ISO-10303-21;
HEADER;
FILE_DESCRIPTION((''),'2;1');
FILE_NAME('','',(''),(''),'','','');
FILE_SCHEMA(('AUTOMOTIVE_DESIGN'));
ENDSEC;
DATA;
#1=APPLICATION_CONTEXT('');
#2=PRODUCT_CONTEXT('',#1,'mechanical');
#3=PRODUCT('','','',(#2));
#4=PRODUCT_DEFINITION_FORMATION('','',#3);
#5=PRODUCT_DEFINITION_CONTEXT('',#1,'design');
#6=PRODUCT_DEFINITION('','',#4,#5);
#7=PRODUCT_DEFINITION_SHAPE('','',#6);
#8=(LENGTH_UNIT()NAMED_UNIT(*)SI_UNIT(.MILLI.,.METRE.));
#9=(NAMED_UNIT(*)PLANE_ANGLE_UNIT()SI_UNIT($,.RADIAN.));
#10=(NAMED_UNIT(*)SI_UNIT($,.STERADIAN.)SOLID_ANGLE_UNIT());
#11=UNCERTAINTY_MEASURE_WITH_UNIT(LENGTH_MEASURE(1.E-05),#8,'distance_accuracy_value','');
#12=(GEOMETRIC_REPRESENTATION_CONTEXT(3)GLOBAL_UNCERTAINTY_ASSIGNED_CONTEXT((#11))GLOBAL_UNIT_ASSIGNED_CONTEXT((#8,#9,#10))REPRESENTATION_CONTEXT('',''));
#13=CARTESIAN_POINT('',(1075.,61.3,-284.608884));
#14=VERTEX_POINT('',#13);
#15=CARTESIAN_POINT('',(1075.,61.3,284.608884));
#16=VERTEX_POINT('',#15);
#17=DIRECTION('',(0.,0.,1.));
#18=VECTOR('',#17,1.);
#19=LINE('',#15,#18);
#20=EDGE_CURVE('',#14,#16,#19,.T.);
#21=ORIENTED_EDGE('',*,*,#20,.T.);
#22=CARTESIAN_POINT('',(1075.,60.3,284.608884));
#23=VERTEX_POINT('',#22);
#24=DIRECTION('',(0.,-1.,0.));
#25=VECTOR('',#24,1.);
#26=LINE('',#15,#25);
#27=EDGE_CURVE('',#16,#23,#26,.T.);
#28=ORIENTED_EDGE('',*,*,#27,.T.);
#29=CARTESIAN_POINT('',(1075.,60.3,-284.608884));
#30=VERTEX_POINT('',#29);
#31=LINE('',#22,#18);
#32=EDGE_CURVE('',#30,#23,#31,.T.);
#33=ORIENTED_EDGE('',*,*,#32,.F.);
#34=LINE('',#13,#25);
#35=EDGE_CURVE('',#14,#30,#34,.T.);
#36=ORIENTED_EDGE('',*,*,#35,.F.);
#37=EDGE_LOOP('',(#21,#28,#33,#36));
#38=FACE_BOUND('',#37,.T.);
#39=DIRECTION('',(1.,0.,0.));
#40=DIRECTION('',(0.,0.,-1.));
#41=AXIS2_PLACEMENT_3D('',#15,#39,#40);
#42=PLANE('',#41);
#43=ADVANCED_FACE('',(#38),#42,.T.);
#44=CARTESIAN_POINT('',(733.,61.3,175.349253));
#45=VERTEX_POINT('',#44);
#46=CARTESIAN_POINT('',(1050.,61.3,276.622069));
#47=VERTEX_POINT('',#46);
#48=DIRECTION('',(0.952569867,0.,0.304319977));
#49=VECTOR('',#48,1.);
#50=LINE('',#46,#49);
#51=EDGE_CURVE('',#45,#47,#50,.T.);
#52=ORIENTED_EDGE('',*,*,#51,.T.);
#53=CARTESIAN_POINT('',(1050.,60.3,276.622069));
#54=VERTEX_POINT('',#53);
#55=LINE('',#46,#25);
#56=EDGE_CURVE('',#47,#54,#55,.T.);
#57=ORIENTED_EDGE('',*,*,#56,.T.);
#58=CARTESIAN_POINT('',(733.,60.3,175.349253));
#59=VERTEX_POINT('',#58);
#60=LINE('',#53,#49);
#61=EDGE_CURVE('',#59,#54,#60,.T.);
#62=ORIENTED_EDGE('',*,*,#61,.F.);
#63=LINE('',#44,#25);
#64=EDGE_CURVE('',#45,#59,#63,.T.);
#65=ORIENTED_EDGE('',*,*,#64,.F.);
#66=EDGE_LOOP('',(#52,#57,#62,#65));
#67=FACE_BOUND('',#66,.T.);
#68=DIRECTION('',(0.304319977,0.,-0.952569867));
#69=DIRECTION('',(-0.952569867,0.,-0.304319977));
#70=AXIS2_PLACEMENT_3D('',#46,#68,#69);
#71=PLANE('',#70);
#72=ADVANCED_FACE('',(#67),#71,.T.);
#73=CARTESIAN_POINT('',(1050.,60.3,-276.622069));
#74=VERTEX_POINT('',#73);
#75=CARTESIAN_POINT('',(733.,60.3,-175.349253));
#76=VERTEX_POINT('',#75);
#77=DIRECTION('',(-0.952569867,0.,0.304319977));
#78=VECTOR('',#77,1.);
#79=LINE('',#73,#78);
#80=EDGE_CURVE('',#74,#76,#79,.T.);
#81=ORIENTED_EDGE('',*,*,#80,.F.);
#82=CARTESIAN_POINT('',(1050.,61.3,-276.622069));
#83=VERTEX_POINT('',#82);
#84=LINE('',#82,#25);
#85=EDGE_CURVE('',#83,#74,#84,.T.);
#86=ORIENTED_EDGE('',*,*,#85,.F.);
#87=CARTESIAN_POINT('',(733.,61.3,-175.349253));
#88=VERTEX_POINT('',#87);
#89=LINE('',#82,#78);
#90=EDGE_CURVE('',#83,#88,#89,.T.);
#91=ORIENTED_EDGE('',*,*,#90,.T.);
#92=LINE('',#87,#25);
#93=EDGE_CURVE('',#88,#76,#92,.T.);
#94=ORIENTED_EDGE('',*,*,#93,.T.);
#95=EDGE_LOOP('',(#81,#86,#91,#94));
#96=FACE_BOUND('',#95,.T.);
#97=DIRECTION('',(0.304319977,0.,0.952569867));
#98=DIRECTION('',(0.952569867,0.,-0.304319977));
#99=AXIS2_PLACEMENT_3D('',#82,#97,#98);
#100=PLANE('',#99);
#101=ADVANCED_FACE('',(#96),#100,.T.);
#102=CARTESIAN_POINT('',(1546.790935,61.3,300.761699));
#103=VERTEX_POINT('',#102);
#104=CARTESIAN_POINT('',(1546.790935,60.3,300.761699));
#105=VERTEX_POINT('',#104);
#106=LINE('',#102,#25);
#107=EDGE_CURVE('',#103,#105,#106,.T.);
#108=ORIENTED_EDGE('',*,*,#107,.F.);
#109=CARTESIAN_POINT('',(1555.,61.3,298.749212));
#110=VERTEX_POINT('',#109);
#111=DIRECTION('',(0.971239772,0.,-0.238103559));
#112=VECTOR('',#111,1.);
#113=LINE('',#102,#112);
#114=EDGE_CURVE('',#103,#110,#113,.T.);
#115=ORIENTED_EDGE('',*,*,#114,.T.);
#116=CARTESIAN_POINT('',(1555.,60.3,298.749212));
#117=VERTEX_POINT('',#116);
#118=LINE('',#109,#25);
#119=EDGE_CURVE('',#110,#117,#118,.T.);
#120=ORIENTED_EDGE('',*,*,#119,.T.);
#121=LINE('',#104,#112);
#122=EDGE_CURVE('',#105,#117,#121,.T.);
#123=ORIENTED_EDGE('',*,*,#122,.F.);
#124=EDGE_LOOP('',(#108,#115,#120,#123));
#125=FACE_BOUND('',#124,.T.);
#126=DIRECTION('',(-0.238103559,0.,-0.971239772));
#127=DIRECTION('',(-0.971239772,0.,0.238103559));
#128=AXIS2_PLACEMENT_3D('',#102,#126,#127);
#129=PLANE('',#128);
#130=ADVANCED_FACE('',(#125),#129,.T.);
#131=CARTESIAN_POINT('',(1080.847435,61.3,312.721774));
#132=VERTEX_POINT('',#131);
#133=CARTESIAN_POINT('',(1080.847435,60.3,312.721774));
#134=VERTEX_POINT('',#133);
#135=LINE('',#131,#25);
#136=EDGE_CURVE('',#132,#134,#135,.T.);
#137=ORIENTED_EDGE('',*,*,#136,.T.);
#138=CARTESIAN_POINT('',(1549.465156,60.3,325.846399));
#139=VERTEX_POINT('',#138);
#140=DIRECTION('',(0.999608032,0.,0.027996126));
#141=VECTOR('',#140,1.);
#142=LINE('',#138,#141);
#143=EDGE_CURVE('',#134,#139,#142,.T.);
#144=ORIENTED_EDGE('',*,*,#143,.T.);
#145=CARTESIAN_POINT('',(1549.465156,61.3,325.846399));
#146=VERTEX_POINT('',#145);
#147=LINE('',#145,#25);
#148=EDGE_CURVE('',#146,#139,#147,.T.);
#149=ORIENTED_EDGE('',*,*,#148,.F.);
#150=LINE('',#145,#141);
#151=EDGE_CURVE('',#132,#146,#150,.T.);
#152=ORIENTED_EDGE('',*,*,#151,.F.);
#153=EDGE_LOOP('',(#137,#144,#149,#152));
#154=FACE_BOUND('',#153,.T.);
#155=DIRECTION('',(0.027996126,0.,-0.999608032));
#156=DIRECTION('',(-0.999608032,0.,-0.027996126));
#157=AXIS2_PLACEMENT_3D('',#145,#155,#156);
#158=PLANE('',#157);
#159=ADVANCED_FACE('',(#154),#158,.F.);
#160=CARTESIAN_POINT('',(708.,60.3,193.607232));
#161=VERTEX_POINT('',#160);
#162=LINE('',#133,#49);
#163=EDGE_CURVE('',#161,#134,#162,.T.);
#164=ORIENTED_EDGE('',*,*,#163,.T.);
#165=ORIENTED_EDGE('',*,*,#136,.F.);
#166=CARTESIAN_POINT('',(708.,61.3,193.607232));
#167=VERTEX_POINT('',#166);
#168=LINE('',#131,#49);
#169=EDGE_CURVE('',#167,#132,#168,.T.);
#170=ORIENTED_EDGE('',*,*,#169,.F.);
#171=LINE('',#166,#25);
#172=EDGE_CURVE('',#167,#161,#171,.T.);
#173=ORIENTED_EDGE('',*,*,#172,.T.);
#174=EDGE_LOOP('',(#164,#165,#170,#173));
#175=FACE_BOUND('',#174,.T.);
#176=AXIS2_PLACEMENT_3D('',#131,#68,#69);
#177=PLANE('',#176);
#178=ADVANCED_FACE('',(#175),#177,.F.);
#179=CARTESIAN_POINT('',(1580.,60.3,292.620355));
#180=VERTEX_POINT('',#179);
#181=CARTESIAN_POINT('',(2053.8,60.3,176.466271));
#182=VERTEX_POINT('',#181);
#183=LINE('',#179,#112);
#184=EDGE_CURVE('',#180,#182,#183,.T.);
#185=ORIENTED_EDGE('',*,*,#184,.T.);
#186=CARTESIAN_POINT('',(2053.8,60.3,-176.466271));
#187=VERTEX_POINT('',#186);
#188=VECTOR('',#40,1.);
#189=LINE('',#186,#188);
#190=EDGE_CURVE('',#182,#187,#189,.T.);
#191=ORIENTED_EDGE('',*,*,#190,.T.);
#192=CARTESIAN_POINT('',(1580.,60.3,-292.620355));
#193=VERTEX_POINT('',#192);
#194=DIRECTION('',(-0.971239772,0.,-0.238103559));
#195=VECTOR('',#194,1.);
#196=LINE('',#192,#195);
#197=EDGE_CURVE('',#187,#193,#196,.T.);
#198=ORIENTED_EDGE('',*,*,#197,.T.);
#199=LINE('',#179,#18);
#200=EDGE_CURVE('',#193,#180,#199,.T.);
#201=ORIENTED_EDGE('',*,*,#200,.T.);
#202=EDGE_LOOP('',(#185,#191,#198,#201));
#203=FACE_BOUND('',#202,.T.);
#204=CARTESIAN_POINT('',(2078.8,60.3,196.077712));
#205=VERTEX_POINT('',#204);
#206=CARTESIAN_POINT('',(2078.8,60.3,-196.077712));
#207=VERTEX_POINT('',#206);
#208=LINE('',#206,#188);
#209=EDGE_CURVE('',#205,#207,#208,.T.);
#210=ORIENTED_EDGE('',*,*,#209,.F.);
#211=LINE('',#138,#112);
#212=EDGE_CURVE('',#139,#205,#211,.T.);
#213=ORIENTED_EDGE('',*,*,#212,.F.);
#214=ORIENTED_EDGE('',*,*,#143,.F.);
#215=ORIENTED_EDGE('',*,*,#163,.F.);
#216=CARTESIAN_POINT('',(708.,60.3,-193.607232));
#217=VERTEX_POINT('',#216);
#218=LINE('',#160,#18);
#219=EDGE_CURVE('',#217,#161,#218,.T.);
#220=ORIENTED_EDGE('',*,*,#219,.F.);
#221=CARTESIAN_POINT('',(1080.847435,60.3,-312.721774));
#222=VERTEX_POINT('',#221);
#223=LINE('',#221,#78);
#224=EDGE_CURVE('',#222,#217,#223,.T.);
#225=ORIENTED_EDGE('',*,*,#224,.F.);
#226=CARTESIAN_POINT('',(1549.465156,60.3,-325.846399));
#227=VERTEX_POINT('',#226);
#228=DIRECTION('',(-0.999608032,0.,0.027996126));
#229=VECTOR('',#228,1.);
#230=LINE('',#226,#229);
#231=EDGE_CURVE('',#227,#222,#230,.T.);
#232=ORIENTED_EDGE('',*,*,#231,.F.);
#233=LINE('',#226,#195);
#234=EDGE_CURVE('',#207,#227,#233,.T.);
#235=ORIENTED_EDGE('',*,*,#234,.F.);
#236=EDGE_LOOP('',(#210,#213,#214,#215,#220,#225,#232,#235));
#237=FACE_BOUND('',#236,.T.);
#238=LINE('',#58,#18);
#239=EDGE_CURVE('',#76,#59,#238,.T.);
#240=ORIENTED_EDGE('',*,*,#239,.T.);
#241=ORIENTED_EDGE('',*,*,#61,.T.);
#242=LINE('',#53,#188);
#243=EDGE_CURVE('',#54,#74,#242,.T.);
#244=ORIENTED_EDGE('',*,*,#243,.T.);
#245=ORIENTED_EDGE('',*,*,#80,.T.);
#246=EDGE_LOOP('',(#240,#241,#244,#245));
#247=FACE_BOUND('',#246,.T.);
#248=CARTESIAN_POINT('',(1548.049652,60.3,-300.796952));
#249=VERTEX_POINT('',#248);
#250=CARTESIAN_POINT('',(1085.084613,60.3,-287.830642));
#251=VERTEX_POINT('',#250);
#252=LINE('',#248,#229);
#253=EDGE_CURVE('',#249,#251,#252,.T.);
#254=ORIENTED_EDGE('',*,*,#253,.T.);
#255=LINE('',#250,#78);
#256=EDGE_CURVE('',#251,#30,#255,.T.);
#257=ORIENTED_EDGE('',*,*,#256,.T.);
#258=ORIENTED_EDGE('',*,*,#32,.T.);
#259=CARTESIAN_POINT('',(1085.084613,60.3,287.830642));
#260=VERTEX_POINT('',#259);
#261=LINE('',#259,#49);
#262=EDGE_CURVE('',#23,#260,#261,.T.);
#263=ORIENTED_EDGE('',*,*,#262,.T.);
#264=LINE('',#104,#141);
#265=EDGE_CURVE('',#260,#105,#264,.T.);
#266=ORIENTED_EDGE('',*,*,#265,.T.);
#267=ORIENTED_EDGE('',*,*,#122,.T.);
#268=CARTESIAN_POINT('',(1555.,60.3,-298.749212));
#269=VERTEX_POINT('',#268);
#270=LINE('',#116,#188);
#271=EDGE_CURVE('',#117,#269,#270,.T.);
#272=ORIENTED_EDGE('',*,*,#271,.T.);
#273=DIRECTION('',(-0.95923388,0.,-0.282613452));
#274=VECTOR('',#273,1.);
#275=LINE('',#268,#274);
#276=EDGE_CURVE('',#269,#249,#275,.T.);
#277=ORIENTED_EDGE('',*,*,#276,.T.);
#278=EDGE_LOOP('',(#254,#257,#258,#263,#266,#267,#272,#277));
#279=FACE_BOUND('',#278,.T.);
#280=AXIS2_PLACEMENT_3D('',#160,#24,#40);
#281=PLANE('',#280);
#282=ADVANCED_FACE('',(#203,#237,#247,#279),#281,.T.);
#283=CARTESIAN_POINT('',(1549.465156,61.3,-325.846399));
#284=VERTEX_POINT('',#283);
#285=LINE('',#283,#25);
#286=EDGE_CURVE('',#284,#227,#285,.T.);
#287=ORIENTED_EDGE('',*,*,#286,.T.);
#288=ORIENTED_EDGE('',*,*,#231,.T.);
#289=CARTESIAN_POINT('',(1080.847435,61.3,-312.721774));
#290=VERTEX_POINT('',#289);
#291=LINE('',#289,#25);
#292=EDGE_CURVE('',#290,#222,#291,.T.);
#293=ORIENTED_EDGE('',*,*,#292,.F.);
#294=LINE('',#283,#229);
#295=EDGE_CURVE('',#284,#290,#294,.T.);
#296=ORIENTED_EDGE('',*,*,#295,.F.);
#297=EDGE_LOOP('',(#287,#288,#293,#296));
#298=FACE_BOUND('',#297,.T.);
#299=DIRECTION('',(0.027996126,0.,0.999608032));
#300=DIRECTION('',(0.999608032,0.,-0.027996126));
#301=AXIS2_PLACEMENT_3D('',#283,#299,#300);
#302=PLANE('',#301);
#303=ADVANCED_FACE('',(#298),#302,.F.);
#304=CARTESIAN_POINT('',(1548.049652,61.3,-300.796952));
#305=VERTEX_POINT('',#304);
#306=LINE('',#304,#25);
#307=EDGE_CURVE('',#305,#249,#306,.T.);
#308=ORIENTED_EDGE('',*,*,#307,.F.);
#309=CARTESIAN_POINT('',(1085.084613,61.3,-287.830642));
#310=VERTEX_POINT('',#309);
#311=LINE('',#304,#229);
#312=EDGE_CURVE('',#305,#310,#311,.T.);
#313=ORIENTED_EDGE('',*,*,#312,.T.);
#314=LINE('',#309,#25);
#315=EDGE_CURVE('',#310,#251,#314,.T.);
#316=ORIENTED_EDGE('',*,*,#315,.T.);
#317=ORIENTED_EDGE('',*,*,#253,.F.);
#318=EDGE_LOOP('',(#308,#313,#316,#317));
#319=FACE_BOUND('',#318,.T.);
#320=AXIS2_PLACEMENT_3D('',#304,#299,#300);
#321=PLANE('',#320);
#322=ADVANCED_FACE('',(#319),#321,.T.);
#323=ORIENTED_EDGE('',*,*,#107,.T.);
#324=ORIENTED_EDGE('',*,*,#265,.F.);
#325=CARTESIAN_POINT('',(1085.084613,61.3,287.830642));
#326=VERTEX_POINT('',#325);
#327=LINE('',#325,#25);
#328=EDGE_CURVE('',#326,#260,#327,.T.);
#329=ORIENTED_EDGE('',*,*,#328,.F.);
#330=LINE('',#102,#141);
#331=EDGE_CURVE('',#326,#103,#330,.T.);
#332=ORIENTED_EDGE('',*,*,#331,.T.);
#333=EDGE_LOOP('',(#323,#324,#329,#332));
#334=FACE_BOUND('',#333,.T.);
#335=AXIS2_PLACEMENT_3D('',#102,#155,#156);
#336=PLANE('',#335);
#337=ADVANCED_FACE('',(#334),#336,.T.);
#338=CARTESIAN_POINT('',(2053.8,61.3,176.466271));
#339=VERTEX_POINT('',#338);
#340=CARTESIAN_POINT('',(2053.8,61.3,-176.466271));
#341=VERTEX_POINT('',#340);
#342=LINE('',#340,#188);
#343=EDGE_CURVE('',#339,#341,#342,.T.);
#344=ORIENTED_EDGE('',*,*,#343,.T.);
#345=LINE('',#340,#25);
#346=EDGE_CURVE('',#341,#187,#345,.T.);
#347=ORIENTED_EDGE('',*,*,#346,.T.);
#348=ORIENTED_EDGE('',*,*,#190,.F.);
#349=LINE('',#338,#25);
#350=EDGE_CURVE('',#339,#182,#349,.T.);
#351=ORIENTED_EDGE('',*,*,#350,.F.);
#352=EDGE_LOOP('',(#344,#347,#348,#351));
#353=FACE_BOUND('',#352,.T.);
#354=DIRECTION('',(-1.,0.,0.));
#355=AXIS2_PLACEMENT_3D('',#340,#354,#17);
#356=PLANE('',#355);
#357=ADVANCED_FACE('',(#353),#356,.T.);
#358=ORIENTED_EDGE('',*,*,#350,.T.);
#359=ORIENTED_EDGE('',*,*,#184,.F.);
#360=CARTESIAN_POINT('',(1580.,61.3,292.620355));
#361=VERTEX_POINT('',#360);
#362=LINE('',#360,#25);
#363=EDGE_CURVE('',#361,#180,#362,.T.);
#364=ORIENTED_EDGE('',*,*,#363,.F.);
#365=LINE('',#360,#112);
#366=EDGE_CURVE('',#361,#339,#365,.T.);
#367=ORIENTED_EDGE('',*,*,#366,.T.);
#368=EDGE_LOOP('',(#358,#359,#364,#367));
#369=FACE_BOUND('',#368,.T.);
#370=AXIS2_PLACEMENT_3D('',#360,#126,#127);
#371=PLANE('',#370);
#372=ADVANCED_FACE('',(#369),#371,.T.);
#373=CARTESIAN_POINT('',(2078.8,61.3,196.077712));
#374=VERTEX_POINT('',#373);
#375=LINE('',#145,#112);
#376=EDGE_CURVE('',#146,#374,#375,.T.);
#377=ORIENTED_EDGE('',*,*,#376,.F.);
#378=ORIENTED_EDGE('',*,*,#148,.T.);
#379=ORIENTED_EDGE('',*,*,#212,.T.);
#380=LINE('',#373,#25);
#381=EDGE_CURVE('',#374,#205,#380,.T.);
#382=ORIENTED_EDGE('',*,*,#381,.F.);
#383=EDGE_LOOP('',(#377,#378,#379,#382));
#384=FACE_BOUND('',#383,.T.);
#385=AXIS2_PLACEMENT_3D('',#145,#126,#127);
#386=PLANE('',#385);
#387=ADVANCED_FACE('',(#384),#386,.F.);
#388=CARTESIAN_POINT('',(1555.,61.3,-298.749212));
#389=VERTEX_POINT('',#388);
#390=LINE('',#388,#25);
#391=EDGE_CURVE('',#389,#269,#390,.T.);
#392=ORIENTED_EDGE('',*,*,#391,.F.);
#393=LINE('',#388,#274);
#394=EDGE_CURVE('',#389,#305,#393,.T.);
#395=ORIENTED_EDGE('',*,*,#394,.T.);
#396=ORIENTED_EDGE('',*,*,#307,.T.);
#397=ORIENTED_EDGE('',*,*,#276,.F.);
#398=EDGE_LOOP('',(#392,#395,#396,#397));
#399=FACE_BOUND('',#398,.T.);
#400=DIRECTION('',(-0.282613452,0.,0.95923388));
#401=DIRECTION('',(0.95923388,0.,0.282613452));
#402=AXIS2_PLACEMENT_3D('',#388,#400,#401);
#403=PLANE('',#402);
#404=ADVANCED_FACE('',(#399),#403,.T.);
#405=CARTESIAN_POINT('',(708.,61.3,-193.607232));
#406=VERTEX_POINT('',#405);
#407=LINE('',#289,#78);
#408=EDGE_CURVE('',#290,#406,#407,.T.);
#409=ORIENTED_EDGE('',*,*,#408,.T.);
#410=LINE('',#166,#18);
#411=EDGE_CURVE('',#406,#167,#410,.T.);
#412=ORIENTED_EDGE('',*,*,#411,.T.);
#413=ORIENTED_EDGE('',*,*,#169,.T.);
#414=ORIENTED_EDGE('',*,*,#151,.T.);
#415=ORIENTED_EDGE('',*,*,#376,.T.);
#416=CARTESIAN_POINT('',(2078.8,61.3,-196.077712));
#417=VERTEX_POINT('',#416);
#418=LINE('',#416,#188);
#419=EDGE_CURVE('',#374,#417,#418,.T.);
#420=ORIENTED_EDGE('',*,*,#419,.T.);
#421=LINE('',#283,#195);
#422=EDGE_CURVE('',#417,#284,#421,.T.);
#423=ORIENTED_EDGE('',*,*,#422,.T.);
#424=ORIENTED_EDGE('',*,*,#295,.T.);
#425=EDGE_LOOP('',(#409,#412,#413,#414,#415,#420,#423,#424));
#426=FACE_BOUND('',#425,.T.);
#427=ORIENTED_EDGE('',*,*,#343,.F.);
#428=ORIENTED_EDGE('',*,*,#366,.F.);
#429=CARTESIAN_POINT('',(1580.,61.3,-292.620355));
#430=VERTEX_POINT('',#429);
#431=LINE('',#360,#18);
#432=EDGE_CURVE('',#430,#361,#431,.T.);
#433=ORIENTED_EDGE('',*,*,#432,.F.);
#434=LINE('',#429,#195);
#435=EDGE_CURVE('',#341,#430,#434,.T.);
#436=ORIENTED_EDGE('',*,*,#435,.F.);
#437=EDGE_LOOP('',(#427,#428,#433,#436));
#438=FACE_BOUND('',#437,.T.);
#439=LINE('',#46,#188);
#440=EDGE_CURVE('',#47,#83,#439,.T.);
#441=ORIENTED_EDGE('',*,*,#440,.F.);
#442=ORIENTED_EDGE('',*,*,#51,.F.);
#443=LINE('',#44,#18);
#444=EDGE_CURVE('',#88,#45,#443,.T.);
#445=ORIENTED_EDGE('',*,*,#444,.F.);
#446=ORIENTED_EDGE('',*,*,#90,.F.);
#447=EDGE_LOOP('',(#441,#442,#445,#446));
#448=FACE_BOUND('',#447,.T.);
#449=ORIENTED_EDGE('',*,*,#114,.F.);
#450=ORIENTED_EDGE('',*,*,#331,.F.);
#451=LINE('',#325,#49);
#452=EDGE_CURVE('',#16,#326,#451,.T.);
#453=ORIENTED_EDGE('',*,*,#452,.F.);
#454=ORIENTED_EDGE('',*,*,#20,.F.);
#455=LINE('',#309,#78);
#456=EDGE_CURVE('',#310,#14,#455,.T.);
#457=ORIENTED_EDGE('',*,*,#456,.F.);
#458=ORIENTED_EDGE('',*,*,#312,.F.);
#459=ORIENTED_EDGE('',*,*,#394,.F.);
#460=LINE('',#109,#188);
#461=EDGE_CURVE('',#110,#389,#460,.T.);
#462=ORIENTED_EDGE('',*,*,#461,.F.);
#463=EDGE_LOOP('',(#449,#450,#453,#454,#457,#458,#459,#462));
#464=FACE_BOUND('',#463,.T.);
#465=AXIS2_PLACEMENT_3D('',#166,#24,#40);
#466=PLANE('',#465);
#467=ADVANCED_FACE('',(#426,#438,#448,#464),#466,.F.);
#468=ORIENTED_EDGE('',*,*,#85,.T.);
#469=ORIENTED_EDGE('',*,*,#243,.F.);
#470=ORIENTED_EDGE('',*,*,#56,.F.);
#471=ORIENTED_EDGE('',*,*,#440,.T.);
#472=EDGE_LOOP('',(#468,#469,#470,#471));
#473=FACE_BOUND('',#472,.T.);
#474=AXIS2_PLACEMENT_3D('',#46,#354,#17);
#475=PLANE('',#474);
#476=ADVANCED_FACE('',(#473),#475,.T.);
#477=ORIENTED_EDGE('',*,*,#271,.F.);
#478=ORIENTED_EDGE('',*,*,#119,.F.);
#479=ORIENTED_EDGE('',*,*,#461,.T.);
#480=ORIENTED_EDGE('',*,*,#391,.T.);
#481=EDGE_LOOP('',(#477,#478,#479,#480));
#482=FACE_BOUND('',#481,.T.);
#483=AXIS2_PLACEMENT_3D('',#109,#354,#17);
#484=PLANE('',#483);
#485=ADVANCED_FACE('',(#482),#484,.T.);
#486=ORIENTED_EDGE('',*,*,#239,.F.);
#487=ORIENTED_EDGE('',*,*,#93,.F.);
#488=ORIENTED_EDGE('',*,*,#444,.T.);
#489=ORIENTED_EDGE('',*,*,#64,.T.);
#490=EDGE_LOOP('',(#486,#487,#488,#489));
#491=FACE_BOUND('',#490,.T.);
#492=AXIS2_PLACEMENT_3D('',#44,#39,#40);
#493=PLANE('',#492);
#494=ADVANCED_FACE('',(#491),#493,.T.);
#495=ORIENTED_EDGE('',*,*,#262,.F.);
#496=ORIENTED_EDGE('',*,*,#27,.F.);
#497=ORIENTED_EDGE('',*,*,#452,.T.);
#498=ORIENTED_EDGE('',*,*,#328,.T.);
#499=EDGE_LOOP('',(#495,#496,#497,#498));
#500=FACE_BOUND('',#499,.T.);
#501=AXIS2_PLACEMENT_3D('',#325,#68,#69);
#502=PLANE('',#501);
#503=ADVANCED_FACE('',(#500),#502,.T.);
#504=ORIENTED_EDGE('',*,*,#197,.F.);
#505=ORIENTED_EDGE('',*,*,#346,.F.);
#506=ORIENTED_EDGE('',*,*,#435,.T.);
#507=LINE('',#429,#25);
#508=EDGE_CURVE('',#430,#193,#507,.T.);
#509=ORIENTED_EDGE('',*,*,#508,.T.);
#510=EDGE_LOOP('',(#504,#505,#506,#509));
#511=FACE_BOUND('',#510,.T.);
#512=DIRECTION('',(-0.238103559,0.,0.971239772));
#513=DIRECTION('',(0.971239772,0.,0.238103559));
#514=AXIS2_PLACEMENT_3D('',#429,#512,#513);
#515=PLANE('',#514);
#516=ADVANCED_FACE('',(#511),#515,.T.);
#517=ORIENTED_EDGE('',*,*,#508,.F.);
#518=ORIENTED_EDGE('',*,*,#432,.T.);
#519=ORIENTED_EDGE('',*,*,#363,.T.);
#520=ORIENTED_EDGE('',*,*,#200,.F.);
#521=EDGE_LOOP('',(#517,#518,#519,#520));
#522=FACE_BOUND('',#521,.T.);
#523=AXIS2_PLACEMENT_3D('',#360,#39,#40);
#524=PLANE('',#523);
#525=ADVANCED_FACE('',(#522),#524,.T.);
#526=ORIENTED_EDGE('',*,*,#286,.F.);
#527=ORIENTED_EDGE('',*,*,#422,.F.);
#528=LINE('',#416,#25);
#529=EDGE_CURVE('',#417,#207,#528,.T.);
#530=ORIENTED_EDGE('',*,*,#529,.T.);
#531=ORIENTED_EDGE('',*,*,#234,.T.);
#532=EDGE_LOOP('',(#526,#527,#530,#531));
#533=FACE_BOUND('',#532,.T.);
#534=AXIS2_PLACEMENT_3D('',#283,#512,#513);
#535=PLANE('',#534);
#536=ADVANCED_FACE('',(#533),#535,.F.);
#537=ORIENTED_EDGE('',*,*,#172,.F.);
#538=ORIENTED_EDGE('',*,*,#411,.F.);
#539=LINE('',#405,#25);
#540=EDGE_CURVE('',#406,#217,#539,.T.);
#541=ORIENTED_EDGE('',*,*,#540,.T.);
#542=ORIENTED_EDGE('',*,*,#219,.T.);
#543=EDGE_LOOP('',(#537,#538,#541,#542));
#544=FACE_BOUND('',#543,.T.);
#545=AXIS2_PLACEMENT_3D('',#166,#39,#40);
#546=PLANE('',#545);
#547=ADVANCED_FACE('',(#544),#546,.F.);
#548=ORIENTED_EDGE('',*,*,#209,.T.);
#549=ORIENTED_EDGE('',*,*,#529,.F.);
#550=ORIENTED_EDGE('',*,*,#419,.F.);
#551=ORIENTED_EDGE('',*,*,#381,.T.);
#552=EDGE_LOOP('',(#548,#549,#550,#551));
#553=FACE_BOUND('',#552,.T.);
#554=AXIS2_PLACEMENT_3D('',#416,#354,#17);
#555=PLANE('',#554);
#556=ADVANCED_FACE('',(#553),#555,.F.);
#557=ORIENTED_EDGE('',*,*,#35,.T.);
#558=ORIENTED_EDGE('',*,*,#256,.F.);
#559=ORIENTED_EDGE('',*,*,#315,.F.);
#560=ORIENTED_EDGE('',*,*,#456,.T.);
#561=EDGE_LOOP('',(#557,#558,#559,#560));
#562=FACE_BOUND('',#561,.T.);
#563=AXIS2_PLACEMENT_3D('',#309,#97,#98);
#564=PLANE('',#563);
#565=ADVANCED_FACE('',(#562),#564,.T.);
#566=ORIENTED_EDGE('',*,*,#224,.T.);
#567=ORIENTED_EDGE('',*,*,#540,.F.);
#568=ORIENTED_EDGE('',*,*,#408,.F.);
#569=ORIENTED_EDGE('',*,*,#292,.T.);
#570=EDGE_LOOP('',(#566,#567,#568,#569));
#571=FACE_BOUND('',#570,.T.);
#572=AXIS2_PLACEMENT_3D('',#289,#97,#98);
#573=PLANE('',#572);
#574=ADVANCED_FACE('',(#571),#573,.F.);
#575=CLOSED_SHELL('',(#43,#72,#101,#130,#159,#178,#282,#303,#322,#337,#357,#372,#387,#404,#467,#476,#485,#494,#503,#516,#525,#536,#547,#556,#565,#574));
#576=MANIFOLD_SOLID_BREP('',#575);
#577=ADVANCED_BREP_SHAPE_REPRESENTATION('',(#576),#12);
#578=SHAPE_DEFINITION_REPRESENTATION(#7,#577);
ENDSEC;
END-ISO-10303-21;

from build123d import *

# Parameters (mm, degrees)
BOSS_EXTRUDE1_DEPTH = 1


with BuildPart() as part:
    # Sketch1 → Boss-Extrude1 (new body)
    with BuildSketch(Plane(origin=(0, 60.3, 0), x_dir=(-1, 0, 0), z_dir=(0, 1, 0))):
        Polygon((-1549.465155864, 325.846398989), (-2078.8, 196.077711894), (-2078.8, -196.077711894), (-1549.465155864, -325.846398989), (-1080.847435472, -312.721773603), (-708, -193.60723205), (-708, 193.60723205), (-1080.847435472, 312.721773603), align=None)
        Polygon((-1580, 292.620355358), (-2053.8, 176.466271366), (-2053.8, -176.466271366), (-1580, -292.620355358), align=None, mode=Mode.SUBTRACT)
        Polygon((-1546.790935185, 300.76169876), (-1555, 298.749211626), (-1555, -298.749211626), (-1548.049652364, -300.796951783), (-1085.08461283, -287.83064162), (-1075, -284.608884087), (-1075, 284.608884087), (-1085.08461283, 287.83064162), align=None, mode=Mode.SUBTRACT)
        Polygon((-733, 175.349253107), (-733, -175.349253107), (-1050, -276.622068957), (-1050, 276.622068957), align=None, mode=Mode.SUBTRACT)
    extrude(amount=BOSS_EXTRUDE1_DEPTH)


solid = part.part
